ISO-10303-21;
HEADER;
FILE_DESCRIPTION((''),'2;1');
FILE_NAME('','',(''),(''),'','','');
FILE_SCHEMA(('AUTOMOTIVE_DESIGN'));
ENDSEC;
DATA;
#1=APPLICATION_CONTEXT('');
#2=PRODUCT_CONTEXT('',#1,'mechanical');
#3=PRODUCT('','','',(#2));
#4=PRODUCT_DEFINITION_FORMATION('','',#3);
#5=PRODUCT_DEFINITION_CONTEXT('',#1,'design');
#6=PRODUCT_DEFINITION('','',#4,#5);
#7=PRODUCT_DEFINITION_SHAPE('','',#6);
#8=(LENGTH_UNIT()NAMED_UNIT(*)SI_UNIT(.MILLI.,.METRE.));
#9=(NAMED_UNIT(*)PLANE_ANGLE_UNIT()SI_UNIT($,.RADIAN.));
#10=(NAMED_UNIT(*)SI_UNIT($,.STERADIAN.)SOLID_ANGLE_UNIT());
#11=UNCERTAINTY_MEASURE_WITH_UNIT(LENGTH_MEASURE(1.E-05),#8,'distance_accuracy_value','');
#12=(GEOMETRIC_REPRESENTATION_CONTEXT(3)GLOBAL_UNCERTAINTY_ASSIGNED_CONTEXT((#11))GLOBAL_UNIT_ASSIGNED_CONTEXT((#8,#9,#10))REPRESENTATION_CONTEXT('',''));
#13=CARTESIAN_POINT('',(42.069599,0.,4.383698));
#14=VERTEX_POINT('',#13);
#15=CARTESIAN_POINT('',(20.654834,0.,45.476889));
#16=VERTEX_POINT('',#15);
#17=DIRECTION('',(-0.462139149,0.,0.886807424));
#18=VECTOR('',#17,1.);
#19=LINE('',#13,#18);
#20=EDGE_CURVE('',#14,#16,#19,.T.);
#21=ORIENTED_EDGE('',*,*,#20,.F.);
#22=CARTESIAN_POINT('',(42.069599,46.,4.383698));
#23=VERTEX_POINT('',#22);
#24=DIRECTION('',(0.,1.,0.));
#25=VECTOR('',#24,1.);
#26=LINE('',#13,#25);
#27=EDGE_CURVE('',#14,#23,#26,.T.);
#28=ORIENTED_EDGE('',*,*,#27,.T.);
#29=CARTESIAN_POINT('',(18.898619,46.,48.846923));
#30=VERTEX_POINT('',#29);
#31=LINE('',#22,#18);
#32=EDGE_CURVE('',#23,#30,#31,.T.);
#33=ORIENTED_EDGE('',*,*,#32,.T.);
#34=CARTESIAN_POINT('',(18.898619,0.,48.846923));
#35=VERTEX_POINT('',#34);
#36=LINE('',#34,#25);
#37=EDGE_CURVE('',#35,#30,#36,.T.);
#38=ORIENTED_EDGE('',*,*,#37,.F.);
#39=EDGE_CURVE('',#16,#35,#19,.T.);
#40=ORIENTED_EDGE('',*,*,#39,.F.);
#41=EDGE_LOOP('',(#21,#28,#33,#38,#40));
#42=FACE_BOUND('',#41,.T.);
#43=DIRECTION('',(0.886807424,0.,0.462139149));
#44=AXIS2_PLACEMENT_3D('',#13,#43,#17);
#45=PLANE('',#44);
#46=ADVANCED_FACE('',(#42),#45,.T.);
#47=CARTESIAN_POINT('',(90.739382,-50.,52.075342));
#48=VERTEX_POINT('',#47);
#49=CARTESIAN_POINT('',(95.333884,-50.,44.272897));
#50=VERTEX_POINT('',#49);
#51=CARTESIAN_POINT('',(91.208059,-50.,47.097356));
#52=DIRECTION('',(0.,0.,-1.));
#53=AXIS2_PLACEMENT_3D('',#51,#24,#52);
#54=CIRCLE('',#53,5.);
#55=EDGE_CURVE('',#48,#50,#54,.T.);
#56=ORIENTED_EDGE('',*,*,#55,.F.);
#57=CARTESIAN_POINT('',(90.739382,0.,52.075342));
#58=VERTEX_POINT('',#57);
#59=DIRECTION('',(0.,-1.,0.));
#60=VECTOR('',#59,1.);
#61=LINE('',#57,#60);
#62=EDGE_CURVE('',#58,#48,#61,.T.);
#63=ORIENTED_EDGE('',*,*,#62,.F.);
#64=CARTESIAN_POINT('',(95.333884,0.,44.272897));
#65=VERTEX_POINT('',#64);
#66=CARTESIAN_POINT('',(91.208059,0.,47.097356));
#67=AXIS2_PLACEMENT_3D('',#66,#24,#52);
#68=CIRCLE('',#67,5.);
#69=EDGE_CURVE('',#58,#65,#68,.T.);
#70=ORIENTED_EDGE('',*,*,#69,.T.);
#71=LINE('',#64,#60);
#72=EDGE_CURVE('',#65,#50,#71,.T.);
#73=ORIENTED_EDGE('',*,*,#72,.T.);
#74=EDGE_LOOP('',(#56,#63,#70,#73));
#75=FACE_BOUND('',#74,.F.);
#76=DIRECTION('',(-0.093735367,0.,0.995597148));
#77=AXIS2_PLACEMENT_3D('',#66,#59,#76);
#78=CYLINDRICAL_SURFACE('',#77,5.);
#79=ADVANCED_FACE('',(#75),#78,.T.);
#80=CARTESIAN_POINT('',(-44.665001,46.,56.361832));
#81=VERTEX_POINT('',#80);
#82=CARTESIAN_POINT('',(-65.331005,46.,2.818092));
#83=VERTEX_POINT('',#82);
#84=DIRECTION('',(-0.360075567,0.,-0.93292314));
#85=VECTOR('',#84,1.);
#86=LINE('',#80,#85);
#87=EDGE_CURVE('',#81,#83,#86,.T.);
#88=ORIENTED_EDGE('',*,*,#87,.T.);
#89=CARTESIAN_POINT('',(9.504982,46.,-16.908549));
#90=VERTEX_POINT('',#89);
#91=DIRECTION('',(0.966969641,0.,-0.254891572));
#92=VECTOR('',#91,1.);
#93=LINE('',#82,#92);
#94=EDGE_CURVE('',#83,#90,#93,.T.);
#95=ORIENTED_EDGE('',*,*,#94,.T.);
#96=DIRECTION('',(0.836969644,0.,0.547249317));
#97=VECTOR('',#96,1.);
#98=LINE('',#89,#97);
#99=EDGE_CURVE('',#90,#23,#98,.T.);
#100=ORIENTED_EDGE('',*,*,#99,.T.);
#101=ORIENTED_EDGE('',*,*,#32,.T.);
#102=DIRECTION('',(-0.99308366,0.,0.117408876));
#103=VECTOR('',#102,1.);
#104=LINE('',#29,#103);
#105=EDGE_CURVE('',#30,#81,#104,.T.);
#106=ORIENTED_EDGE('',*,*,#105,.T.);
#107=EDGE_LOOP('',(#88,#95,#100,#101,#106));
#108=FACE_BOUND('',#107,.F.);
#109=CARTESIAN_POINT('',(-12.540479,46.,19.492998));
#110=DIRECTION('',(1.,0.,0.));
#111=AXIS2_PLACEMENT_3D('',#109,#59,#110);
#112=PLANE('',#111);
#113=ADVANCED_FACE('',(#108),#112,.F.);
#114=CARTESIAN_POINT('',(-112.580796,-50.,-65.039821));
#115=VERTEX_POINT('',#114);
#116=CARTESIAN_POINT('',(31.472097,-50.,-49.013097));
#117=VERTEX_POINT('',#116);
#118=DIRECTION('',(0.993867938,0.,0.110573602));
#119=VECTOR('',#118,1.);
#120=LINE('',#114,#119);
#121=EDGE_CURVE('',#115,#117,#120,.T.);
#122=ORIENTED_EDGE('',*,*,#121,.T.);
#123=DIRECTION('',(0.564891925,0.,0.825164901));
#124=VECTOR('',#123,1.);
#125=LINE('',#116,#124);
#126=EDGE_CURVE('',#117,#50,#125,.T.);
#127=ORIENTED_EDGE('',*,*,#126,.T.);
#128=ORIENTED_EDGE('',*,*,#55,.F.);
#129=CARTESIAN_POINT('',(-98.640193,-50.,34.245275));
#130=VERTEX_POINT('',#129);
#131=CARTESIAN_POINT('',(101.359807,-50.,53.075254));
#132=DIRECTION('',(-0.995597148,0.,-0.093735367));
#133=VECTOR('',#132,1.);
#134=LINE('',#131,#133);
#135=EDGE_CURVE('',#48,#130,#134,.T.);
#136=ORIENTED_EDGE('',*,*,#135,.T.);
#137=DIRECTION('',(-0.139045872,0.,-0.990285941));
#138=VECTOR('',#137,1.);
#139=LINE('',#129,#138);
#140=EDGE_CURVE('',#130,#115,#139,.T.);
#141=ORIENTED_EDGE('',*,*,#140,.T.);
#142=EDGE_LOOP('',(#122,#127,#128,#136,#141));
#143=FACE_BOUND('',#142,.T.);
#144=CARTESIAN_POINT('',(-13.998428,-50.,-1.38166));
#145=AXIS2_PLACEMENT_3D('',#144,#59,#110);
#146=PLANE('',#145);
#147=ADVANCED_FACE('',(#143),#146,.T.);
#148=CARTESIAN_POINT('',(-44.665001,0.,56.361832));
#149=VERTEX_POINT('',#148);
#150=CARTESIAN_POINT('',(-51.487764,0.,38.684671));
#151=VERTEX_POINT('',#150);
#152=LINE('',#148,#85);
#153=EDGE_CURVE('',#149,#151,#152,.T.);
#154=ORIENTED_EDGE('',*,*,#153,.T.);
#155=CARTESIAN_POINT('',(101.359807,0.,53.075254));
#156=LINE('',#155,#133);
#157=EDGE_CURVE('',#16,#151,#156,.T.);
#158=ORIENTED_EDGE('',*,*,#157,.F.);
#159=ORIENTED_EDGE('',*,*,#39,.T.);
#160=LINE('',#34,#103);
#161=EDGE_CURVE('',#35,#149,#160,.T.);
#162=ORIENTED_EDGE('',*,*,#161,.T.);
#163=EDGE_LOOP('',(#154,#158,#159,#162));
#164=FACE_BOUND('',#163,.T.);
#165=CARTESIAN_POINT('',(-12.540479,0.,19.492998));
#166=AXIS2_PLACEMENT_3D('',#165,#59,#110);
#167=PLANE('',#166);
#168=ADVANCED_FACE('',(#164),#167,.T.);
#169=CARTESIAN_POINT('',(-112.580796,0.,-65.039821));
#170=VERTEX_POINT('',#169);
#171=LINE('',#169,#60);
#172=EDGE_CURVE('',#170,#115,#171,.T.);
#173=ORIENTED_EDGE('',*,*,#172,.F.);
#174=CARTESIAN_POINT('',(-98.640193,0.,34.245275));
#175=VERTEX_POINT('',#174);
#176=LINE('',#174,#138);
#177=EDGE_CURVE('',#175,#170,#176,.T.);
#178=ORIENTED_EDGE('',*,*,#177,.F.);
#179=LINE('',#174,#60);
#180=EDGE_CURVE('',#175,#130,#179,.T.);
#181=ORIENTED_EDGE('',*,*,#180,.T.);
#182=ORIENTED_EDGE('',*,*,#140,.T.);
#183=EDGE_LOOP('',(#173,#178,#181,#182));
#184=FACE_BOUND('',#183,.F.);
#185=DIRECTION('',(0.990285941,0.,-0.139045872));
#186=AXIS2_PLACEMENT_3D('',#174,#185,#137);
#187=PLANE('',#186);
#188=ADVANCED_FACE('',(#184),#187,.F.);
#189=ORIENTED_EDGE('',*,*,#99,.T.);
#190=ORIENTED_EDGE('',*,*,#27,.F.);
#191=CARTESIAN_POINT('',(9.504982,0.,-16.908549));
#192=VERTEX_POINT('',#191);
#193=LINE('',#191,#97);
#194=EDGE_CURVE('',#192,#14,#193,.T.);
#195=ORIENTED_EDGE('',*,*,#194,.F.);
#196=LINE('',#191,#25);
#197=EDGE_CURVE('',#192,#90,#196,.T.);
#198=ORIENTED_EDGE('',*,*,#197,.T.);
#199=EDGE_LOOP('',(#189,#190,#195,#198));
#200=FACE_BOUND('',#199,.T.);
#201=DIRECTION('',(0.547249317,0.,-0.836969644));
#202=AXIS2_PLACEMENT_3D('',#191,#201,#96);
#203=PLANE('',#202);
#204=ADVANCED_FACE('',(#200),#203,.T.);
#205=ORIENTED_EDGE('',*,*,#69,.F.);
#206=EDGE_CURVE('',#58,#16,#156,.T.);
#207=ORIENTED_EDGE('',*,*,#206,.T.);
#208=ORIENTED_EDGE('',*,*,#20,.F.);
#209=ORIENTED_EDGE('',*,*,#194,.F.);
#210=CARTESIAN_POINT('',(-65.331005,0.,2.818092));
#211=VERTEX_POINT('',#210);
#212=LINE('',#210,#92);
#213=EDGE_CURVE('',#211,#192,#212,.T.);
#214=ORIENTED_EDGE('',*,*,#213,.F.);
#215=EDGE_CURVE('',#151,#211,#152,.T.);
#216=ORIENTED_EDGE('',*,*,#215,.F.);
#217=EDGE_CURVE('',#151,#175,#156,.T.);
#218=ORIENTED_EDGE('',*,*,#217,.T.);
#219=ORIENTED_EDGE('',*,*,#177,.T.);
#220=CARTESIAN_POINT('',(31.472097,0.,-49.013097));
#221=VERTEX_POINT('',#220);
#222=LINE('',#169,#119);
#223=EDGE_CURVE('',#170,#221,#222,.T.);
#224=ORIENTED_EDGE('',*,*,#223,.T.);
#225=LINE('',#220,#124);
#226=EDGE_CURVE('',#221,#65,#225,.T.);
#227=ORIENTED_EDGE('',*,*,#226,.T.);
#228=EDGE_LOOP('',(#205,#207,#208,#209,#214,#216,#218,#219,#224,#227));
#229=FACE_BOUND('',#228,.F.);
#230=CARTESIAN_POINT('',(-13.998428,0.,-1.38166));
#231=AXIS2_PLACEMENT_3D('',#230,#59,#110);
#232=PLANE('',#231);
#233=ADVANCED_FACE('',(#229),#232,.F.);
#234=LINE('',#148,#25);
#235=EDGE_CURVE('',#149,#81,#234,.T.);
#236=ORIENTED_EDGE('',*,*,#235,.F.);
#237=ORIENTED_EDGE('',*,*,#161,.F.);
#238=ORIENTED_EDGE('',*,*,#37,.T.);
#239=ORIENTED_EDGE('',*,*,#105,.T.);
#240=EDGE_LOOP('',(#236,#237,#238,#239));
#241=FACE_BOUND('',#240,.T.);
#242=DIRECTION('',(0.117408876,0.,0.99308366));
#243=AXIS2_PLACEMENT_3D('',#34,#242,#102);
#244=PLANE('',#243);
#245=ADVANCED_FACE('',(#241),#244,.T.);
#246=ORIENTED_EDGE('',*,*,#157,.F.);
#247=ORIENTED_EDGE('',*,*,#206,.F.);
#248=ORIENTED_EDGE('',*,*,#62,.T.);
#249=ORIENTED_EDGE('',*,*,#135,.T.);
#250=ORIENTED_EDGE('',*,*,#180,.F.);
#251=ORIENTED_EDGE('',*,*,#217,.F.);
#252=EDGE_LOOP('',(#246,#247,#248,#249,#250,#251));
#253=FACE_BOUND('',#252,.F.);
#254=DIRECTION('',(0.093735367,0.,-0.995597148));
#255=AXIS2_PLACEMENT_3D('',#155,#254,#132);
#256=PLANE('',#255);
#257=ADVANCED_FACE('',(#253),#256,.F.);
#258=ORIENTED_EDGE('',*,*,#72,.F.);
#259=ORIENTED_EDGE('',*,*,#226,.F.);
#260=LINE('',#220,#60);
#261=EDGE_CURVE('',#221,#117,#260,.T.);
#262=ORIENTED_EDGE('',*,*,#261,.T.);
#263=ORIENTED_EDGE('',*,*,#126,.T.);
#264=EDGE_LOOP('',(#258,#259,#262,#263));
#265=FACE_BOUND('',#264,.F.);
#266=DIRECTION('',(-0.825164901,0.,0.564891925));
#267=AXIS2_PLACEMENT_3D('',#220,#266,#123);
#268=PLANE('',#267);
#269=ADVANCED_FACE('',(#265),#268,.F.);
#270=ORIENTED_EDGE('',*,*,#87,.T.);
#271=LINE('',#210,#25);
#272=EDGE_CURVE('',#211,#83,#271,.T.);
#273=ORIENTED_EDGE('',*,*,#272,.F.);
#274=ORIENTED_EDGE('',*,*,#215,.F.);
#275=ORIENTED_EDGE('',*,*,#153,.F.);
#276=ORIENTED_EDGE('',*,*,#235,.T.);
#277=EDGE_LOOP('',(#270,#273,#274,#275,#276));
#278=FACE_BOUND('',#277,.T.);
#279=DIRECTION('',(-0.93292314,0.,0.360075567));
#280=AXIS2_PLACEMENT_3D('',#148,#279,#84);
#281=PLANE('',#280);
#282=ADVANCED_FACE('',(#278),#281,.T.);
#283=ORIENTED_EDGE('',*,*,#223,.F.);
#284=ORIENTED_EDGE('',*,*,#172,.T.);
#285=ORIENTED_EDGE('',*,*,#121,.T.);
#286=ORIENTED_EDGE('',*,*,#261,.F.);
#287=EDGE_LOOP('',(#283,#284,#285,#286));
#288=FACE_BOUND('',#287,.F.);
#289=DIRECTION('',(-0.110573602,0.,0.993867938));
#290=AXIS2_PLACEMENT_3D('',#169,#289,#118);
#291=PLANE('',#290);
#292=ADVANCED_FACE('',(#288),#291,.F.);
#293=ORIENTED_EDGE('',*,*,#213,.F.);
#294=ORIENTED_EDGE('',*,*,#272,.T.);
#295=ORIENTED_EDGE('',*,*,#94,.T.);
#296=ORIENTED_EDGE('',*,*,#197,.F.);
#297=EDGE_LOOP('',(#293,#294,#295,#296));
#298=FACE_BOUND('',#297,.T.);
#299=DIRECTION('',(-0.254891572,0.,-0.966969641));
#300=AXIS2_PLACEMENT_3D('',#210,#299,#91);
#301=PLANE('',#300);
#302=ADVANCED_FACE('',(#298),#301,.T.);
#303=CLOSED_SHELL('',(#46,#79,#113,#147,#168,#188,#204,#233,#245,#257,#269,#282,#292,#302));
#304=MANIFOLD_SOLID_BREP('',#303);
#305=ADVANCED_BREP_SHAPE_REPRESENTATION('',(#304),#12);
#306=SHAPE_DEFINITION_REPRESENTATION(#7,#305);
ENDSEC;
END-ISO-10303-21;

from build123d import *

# Parameters (mm, degrees)
F1_DEPTH = 30
F4_DEPTH = 50
F5_R     = 5
F7_DEPTH = 46


with BuildPart() as f1:
    # F0 (on Front) → F1 (new body)
    with BuildSketch(Plane.XZ):
        Polygon((26.3627171516, 40.0704815984), (-62.9477128386, 36.8853881955), (-46.8072779477, -22.2996752709), (34.61227566, -16.0123351961), align=None)
    extrude(amount=F1_DEPTH)


with BuildPart() as f4:
    # F3 (on Front) → F4 (new body)
    with BuildSketch(Plane.XZ):
        Polygon((101.3598069549, 53.0752539635), (-98.6401930451, 34.245274961), (-112.5807955861, -65.0398209691), (31.4720973372, -49.0130968392), align=None)
    extrude(amount=F4_DEPTH)

    # F5
    f5_edges = [f4.edges().sort_by_distance(p)[0] for p in [
        (101.359807, -25, 53.075254),
    ]]
    fillet(f5_edges, radius=F5_R)

    # F6 (on Front) → F7 (join)
    with BuildSketch(Plane.XZ):
        Polygon((18.8986193389, 48.8469228148), (-44.6650013328, 56.3618317246), (-65.33100456, 2.8180915397), (9.5049822703, -16.9085487723), (42.0695990324, 4.3836981058), align=None)
    extrude(amount=-F7_DEPTH)


solid = f4.part
